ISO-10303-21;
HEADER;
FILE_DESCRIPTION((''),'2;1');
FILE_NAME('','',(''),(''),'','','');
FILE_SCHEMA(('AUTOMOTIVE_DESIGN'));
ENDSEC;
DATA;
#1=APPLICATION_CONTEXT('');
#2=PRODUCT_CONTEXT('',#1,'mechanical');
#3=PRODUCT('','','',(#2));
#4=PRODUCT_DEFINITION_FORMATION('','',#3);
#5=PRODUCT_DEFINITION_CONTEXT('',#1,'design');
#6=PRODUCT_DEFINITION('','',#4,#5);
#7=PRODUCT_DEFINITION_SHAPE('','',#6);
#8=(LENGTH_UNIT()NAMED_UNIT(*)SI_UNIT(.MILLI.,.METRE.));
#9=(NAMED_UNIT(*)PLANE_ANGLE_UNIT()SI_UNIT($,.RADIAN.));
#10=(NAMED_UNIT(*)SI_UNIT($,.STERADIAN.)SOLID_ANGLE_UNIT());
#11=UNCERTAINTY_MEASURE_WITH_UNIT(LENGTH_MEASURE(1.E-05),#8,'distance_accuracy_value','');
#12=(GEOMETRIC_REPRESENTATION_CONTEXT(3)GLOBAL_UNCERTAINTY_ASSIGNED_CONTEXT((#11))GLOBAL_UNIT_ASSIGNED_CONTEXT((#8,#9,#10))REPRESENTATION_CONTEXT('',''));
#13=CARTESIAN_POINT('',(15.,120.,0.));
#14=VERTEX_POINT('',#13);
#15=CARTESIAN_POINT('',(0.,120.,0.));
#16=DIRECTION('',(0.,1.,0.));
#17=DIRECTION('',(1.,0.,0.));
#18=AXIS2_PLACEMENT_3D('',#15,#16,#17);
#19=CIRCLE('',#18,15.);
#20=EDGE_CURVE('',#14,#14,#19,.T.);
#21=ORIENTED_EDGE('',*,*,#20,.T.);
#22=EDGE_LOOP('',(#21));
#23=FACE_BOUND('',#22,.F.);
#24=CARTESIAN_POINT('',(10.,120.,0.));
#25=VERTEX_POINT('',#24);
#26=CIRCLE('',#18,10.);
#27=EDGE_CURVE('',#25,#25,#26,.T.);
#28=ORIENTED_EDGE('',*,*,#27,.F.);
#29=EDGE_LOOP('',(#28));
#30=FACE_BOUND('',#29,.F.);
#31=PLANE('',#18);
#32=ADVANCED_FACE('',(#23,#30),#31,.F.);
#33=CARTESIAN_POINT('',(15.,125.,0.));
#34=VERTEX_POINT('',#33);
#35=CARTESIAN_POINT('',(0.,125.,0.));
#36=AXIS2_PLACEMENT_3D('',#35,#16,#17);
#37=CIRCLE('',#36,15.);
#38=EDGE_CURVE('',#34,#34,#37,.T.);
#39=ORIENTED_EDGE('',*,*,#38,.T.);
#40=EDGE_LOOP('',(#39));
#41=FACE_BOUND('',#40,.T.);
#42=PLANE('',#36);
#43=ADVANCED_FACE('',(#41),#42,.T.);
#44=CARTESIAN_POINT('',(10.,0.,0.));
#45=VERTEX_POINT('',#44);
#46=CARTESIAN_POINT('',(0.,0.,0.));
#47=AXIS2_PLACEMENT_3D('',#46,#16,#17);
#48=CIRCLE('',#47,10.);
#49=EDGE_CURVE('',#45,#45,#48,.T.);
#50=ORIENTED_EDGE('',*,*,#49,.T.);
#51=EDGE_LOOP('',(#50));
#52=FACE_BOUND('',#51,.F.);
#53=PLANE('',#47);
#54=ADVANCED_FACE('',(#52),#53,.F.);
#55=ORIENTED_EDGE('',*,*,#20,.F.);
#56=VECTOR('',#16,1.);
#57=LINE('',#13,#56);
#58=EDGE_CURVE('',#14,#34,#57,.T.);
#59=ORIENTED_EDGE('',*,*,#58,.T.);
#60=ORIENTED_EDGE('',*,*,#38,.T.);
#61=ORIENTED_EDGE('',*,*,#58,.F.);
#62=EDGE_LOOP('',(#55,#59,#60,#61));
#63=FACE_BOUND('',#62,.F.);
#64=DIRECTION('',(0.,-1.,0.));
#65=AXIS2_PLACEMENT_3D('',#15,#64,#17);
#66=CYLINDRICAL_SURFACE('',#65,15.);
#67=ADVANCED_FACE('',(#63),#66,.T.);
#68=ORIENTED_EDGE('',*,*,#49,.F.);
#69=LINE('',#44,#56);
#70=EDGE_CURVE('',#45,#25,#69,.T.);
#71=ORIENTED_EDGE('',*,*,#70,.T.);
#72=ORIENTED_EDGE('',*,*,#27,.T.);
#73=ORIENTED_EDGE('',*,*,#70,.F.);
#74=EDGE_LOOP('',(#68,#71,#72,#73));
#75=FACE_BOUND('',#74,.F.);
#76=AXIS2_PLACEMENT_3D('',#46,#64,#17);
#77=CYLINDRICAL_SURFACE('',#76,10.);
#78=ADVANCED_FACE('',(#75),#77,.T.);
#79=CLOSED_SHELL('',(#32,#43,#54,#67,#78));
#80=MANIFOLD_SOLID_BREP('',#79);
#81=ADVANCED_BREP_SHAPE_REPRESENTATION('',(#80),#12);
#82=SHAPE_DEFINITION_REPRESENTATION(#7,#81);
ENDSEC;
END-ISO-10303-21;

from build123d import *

# Parameters (mm, degrees)
SKETCH_1_R      = 10
EXTRUDE_1_DEPTH = 120
SKETCH_2_R      = 15
EXTRUDE_2_DEPTH = 5


with BuildPart() as part:
    # Эскиз1 → Бобышка-Вытянуть1 (new body)
    with BuildSketch(Plane(origin=(0, 0, 0), x_dir=(1, 0, 0), z_dir=(0, 1, 0))):
        Circle(SKETCH_1_R)
    extrude(amount=EXTRUDE_1_DEPTH)

    # Эскиз2 → Бобышка-Вытянуть2 (add)
    with BuildSketch(Plane(origin=(0, 120, 0), x_dir=(1, 0, 0), z_dir=(0, 1, 0))):
        Circle(SKETCH_2_R)
    extrude(amount=EXTRUDE_2_DEPTH)


solid = part.part
